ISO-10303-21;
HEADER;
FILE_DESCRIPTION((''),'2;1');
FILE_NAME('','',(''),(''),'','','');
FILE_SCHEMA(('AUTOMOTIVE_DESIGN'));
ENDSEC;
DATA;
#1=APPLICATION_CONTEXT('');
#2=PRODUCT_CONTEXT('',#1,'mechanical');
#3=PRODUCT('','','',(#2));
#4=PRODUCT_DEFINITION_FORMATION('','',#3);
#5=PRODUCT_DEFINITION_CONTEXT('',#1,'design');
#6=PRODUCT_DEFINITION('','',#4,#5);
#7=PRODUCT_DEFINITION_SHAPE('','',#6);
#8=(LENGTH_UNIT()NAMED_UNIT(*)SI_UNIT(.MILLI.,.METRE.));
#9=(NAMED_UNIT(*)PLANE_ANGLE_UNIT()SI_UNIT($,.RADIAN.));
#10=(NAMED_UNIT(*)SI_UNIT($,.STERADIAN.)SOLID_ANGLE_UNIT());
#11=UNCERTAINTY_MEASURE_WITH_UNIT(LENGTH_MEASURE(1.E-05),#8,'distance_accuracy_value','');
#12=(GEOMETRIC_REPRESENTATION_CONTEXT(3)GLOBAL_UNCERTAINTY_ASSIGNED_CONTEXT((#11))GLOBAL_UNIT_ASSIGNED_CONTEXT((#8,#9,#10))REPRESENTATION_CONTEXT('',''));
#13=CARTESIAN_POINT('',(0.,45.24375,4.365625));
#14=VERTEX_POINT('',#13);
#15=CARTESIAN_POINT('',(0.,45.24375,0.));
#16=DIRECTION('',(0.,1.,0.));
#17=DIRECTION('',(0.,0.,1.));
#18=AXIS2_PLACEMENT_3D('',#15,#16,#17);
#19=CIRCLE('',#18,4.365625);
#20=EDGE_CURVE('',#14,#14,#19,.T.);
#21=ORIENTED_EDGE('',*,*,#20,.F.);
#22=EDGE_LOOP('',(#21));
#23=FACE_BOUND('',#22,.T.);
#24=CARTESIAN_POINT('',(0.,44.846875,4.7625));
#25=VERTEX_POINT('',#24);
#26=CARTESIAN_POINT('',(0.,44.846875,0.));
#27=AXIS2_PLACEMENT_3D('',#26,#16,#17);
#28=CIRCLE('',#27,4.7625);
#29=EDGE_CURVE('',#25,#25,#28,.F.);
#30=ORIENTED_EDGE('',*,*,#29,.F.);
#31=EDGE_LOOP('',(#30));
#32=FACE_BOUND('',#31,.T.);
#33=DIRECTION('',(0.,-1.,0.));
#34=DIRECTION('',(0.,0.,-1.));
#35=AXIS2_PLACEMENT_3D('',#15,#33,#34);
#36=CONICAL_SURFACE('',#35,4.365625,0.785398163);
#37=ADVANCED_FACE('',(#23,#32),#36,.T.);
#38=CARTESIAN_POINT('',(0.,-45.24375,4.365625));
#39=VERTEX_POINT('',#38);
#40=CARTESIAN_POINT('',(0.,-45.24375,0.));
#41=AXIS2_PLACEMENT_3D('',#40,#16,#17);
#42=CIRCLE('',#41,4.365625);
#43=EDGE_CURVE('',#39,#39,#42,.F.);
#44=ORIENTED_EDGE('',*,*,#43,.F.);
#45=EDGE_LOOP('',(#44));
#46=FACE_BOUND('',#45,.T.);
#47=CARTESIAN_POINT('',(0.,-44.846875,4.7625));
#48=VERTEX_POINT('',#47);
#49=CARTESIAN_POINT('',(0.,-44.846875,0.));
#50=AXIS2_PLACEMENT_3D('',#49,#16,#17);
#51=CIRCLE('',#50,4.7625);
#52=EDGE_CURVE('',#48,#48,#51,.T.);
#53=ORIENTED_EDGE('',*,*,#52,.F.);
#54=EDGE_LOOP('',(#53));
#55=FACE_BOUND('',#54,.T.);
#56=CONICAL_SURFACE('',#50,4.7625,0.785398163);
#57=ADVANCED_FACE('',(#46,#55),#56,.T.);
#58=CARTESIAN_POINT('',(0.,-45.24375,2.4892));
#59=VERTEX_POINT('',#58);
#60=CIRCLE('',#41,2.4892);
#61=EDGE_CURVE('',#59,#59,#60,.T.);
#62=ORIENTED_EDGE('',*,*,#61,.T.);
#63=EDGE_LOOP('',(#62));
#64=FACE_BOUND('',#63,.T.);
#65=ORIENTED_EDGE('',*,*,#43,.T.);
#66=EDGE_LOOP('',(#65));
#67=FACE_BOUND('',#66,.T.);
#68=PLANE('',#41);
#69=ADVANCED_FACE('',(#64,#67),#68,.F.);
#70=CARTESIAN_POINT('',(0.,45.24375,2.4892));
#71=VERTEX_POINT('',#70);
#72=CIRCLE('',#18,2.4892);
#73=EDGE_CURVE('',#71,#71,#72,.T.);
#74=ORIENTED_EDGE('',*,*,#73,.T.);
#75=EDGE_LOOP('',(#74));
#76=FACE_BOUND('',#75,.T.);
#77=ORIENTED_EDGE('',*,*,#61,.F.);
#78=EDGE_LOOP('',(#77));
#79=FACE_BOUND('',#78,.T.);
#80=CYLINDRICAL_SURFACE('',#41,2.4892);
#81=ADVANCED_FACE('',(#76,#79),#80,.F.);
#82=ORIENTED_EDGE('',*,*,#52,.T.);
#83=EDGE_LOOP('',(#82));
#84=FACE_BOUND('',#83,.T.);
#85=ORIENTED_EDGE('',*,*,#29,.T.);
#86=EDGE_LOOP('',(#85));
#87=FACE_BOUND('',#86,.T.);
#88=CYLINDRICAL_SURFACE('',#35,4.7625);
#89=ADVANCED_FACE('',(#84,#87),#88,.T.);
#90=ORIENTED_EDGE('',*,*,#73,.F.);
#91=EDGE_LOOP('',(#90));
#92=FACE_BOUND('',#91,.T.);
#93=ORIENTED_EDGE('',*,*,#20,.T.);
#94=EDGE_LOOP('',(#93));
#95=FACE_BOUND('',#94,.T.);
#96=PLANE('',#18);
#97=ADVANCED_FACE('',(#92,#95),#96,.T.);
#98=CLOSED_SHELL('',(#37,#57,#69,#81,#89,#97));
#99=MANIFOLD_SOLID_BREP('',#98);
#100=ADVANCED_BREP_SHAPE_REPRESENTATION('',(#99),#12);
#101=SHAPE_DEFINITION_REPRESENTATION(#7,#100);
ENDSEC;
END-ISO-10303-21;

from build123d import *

# Parameters (mm, degrees)
CROQUIS2_R                = 4.7625
SALIENTE_EXTRUIR1_DEPTH   = 45.24375
CHAFL_N1_SIZE             = 0.396875
CLEARANCE_HOLE_DEPTH      = 46.742318771
CLEARANCE_HOLE_DEPTH_BACK = 46.742318771
CROQUIS4_R                = 2.4892


with BuildPart() as part:
    # Croquis2 → Saliente-Extruir1 (new, symmetric)
    with BuildSketch(Plane(origin=(0, 0, 0), x_dir=(1, 0, 0), z_dir=(0, 1, 0))):
        Circle(CROQUIS2_R)
    extrude(amount=SALIENTE_EXTRUIR1_DEPTH, both=True)

    # Chaflán1
    chafl_n1_edges = [part.edges().sort_by_distance(p)[0] for p in [
        (-4.7625, -45.24375, 0),
        (-4.7625, 45.24375, 0),
    ]]
    chamfer(chafl_n1_edges, length=CHAFL_N1_SIZE)

    # Croquis4 → Clearance Hole (cut, two sides: drawn at the far end of the back side and taken through both)
    with BuildSketch(Plane(origin=(0, 0, 0), x_dir=(1, 0, 0), z_dir=(0, 1, 0)).offset(-CLEARANCE_HOLE_DEPTH_BACK)):
        Circle(CROQUIS4_R)
    extrude(amount=CLEARANCE_HOLE_DEPTH + CLEARANCE_HOLE_DEPTH_BACK, mode=Mode.SUBTRACT)


solid = part.part
